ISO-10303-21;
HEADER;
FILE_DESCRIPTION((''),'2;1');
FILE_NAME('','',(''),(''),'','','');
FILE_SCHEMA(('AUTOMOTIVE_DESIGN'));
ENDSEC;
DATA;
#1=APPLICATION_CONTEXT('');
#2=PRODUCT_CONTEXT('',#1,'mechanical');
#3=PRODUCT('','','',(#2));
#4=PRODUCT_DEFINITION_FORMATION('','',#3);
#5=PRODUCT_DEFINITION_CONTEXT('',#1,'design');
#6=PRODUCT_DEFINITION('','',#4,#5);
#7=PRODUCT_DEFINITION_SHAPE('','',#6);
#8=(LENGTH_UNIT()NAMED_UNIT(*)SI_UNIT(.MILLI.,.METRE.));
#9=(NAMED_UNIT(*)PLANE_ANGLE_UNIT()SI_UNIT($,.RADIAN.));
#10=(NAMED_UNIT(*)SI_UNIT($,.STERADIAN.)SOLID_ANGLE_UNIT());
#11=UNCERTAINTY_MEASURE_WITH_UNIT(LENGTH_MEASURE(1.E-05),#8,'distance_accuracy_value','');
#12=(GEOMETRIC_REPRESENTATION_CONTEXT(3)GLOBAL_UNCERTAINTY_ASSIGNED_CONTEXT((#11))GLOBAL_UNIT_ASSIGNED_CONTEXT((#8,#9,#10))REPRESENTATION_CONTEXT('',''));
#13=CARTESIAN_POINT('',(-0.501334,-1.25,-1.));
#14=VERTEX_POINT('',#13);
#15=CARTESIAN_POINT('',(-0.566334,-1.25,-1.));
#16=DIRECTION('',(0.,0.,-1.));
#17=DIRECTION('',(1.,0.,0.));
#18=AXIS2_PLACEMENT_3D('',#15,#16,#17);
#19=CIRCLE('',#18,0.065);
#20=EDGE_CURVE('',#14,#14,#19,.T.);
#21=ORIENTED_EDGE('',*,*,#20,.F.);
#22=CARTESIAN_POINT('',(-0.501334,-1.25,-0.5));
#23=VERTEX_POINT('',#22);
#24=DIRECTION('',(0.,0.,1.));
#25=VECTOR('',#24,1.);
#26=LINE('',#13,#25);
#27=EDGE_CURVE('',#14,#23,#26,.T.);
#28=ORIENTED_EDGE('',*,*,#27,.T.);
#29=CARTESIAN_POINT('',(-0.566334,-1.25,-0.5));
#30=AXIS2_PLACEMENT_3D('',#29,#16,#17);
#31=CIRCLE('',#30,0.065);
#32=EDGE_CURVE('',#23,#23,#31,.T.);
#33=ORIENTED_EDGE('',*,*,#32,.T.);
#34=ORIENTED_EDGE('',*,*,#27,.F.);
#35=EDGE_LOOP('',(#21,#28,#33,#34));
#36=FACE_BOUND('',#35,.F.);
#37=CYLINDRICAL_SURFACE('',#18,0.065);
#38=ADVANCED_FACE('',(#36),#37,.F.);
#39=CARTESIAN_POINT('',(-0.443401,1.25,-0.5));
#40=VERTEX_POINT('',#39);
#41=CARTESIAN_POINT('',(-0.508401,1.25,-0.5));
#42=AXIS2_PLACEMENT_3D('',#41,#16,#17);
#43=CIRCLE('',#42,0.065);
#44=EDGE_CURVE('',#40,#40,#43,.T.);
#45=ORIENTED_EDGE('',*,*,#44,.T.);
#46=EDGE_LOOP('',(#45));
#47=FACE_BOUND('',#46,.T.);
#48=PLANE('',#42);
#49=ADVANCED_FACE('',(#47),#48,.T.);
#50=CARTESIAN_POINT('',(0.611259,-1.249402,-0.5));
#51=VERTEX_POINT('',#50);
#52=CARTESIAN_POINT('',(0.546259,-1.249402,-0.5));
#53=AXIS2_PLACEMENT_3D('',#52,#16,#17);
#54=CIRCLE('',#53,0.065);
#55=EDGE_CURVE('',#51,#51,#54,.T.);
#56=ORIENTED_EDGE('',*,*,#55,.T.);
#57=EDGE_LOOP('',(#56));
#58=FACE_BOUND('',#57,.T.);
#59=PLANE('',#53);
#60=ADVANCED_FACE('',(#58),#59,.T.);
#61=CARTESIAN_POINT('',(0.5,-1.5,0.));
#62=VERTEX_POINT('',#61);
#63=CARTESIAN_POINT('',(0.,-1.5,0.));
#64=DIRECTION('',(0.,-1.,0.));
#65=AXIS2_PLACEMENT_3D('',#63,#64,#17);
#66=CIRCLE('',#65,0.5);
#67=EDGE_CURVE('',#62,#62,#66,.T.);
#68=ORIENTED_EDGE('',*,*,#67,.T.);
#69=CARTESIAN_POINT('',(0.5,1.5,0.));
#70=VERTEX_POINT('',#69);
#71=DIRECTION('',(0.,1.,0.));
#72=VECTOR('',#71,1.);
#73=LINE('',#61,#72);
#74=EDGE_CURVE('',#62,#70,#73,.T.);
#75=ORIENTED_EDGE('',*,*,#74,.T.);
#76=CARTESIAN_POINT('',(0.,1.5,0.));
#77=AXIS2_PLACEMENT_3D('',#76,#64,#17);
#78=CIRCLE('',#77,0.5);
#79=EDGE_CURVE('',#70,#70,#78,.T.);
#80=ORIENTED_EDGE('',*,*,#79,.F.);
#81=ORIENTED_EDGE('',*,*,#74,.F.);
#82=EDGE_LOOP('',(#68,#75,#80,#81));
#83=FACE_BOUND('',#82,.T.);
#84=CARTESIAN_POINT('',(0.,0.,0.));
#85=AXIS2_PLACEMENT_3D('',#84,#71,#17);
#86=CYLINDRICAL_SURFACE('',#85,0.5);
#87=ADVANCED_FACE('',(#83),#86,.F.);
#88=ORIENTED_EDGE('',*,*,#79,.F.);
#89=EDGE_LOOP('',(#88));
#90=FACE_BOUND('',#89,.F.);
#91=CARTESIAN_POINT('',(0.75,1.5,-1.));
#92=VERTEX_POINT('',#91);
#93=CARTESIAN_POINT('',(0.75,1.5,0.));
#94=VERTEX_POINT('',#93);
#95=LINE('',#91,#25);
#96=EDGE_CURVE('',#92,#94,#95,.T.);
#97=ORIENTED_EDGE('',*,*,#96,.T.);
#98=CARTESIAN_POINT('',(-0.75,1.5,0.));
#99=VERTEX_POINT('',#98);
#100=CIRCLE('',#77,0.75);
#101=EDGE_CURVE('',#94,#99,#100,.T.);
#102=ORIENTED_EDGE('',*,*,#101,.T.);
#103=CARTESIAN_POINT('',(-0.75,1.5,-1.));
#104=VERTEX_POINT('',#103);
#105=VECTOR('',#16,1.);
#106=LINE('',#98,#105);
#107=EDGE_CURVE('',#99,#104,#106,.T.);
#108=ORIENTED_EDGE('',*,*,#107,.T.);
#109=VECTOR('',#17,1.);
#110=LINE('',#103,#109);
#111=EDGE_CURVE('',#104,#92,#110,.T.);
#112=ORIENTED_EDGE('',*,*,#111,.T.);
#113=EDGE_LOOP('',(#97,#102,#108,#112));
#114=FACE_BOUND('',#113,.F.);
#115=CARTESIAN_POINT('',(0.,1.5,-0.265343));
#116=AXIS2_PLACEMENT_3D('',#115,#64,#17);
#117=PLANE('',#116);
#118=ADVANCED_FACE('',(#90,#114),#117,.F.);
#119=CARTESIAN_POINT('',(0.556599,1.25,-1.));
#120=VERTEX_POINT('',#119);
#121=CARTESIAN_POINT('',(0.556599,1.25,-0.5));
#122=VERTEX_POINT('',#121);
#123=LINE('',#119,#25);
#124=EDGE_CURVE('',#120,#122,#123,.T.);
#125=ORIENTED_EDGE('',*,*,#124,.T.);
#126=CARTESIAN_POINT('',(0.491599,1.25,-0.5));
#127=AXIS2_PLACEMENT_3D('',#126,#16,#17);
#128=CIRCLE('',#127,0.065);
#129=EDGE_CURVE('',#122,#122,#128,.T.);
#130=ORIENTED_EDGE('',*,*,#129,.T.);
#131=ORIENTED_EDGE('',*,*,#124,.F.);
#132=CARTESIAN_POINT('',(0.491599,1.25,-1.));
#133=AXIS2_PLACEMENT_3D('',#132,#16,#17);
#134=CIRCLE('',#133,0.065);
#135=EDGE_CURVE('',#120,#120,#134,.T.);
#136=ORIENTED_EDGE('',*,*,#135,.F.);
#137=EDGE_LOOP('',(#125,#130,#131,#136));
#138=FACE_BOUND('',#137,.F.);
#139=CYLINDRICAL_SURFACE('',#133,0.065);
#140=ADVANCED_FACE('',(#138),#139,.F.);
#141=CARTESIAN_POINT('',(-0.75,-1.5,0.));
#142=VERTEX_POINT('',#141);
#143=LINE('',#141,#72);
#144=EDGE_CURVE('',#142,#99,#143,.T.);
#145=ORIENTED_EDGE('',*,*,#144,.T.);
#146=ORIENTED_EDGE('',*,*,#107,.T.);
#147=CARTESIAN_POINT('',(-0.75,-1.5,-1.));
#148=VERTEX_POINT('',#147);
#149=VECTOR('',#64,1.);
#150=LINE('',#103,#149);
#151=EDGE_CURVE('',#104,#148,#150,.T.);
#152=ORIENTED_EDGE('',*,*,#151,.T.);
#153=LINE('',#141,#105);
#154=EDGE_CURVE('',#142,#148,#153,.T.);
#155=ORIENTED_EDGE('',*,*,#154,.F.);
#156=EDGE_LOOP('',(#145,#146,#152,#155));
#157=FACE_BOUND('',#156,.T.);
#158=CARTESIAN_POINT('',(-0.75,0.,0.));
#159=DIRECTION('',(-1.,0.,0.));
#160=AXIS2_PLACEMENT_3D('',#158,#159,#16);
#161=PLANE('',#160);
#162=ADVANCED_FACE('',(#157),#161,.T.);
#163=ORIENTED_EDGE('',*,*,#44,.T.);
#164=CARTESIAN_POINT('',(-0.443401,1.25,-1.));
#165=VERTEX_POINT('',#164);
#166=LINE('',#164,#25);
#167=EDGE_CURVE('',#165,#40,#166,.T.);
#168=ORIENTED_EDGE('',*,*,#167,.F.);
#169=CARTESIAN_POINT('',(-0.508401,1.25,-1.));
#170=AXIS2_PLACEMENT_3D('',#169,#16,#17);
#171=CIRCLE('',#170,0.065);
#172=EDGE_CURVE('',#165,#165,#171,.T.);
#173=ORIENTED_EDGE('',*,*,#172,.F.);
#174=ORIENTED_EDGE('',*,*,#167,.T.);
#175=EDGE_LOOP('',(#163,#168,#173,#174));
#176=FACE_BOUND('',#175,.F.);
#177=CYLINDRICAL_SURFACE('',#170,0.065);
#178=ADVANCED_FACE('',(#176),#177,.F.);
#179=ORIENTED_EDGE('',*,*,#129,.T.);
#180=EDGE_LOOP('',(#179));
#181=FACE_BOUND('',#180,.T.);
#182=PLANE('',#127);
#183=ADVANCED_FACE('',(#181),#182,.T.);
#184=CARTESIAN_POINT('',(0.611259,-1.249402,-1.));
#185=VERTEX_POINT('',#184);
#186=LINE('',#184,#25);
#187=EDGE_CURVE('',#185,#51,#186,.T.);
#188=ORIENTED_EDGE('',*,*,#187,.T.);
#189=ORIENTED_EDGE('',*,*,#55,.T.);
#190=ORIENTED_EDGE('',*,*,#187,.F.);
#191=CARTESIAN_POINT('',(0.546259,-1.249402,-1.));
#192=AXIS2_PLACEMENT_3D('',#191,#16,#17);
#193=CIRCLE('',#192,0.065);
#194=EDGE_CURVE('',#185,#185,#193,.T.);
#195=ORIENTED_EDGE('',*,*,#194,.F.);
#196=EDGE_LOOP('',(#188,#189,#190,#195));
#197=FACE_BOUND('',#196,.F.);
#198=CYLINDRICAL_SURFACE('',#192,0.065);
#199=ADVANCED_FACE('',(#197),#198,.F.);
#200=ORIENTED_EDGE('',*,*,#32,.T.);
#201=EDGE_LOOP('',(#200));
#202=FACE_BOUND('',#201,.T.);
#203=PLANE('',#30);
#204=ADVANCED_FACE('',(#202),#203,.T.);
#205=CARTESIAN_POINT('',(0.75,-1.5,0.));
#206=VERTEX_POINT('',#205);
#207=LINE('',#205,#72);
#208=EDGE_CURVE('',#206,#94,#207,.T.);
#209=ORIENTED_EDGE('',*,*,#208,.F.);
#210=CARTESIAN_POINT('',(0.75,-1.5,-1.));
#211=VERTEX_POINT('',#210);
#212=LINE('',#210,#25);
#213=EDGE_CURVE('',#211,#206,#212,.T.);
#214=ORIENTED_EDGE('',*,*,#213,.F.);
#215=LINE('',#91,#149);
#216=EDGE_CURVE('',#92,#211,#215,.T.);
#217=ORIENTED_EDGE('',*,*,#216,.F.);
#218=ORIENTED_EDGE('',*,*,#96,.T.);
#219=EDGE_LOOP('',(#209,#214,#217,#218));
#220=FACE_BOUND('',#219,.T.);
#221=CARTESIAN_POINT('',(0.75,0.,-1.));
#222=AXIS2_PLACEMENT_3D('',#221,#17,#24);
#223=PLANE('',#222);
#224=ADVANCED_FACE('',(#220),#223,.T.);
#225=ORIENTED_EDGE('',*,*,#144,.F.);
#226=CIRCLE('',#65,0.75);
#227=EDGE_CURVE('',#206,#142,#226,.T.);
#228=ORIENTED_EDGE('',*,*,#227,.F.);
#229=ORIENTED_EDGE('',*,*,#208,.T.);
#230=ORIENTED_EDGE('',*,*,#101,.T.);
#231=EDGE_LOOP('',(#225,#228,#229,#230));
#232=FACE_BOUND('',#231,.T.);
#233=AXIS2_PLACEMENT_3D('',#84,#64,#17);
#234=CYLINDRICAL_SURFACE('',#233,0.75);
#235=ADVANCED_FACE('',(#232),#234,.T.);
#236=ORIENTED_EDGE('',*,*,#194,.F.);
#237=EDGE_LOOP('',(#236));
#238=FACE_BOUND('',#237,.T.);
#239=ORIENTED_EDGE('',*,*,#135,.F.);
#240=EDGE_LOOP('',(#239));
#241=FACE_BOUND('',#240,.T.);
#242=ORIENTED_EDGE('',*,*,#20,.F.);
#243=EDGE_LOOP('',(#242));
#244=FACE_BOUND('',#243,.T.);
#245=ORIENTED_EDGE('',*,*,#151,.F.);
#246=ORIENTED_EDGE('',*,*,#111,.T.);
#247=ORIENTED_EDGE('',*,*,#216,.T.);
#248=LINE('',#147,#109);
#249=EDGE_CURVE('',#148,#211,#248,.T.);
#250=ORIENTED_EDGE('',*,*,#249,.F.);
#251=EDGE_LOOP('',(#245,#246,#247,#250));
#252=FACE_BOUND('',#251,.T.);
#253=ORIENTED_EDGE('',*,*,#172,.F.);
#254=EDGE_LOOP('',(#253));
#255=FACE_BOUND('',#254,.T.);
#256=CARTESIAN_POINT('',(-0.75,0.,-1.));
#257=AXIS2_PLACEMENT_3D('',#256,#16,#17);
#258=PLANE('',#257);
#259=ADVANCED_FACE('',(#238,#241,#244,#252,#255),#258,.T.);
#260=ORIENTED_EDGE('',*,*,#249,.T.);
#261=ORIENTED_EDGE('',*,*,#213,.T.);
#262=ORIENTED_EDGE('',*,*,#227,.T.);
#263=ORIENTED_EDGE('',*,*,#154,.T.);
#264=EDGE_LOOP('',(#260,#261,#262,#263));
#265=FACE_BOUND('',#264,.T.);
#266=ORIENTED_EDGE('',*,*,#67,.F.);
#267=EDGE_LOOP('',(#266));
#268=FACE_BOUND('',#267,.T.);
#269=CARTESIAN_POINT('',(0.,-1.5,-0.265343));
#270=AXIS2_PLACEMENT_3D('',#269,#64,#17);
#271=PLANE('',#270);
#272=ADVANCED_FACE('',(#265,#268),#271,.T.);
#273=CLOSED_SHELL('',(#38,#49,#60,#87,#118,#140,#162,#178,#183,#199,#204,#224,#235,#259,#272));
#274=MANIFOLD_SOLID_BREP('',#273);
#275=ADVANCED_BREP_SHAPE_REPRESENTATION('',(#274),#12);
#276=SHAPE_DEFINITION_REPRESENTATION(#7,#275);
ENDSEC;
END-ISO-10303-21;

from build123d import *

# Parameters (mm, degrees)
F0_R     = 0.5
F1_DEPTH = 1.5
F2_R     = 0.065
F3_DEPTH = 0.5


with BuildPart() as f1:
    # F0 (on Front) → F1 (new body, symmetric)
    with BuildSketch(Plane.XZ):
        with BuildLine():
            Line((-0.75, 0), (-0.75, -1))
            Line((-0.75, -1), (0.75, -1))
            Line((0.75, -1), (0.75, 0))
            ThreePointArc((0.75, 0), (0, 0.75), (-0.75, 0))
        make_face()
        Circle(F0_R, mode=Mode.SUBTRACT)
    extrude(amount=F1_DEPTH, both=True)

    # F2 (on face) → F3 (cut)
    with BuildSketch(Plane(origin=(0, 0, -1), x_dir=(1, 0, 0), z_dir=(0, 0, -1))):
        with Locations((-0.566334, 1.25)):
            Circle(F2_R)
        with Locations((0.546259, 1.249402)):
            Circle(F2_R)
        with Locations((-0.508401, -1.25)):
            Circle(F2_R)
        with Locations((0.491599, -1.25)):
            Circle(F2_R)
    extrude(amount=-F3_DEPTH, mode=Mode.SUBTRACT)


solid = f1.part
